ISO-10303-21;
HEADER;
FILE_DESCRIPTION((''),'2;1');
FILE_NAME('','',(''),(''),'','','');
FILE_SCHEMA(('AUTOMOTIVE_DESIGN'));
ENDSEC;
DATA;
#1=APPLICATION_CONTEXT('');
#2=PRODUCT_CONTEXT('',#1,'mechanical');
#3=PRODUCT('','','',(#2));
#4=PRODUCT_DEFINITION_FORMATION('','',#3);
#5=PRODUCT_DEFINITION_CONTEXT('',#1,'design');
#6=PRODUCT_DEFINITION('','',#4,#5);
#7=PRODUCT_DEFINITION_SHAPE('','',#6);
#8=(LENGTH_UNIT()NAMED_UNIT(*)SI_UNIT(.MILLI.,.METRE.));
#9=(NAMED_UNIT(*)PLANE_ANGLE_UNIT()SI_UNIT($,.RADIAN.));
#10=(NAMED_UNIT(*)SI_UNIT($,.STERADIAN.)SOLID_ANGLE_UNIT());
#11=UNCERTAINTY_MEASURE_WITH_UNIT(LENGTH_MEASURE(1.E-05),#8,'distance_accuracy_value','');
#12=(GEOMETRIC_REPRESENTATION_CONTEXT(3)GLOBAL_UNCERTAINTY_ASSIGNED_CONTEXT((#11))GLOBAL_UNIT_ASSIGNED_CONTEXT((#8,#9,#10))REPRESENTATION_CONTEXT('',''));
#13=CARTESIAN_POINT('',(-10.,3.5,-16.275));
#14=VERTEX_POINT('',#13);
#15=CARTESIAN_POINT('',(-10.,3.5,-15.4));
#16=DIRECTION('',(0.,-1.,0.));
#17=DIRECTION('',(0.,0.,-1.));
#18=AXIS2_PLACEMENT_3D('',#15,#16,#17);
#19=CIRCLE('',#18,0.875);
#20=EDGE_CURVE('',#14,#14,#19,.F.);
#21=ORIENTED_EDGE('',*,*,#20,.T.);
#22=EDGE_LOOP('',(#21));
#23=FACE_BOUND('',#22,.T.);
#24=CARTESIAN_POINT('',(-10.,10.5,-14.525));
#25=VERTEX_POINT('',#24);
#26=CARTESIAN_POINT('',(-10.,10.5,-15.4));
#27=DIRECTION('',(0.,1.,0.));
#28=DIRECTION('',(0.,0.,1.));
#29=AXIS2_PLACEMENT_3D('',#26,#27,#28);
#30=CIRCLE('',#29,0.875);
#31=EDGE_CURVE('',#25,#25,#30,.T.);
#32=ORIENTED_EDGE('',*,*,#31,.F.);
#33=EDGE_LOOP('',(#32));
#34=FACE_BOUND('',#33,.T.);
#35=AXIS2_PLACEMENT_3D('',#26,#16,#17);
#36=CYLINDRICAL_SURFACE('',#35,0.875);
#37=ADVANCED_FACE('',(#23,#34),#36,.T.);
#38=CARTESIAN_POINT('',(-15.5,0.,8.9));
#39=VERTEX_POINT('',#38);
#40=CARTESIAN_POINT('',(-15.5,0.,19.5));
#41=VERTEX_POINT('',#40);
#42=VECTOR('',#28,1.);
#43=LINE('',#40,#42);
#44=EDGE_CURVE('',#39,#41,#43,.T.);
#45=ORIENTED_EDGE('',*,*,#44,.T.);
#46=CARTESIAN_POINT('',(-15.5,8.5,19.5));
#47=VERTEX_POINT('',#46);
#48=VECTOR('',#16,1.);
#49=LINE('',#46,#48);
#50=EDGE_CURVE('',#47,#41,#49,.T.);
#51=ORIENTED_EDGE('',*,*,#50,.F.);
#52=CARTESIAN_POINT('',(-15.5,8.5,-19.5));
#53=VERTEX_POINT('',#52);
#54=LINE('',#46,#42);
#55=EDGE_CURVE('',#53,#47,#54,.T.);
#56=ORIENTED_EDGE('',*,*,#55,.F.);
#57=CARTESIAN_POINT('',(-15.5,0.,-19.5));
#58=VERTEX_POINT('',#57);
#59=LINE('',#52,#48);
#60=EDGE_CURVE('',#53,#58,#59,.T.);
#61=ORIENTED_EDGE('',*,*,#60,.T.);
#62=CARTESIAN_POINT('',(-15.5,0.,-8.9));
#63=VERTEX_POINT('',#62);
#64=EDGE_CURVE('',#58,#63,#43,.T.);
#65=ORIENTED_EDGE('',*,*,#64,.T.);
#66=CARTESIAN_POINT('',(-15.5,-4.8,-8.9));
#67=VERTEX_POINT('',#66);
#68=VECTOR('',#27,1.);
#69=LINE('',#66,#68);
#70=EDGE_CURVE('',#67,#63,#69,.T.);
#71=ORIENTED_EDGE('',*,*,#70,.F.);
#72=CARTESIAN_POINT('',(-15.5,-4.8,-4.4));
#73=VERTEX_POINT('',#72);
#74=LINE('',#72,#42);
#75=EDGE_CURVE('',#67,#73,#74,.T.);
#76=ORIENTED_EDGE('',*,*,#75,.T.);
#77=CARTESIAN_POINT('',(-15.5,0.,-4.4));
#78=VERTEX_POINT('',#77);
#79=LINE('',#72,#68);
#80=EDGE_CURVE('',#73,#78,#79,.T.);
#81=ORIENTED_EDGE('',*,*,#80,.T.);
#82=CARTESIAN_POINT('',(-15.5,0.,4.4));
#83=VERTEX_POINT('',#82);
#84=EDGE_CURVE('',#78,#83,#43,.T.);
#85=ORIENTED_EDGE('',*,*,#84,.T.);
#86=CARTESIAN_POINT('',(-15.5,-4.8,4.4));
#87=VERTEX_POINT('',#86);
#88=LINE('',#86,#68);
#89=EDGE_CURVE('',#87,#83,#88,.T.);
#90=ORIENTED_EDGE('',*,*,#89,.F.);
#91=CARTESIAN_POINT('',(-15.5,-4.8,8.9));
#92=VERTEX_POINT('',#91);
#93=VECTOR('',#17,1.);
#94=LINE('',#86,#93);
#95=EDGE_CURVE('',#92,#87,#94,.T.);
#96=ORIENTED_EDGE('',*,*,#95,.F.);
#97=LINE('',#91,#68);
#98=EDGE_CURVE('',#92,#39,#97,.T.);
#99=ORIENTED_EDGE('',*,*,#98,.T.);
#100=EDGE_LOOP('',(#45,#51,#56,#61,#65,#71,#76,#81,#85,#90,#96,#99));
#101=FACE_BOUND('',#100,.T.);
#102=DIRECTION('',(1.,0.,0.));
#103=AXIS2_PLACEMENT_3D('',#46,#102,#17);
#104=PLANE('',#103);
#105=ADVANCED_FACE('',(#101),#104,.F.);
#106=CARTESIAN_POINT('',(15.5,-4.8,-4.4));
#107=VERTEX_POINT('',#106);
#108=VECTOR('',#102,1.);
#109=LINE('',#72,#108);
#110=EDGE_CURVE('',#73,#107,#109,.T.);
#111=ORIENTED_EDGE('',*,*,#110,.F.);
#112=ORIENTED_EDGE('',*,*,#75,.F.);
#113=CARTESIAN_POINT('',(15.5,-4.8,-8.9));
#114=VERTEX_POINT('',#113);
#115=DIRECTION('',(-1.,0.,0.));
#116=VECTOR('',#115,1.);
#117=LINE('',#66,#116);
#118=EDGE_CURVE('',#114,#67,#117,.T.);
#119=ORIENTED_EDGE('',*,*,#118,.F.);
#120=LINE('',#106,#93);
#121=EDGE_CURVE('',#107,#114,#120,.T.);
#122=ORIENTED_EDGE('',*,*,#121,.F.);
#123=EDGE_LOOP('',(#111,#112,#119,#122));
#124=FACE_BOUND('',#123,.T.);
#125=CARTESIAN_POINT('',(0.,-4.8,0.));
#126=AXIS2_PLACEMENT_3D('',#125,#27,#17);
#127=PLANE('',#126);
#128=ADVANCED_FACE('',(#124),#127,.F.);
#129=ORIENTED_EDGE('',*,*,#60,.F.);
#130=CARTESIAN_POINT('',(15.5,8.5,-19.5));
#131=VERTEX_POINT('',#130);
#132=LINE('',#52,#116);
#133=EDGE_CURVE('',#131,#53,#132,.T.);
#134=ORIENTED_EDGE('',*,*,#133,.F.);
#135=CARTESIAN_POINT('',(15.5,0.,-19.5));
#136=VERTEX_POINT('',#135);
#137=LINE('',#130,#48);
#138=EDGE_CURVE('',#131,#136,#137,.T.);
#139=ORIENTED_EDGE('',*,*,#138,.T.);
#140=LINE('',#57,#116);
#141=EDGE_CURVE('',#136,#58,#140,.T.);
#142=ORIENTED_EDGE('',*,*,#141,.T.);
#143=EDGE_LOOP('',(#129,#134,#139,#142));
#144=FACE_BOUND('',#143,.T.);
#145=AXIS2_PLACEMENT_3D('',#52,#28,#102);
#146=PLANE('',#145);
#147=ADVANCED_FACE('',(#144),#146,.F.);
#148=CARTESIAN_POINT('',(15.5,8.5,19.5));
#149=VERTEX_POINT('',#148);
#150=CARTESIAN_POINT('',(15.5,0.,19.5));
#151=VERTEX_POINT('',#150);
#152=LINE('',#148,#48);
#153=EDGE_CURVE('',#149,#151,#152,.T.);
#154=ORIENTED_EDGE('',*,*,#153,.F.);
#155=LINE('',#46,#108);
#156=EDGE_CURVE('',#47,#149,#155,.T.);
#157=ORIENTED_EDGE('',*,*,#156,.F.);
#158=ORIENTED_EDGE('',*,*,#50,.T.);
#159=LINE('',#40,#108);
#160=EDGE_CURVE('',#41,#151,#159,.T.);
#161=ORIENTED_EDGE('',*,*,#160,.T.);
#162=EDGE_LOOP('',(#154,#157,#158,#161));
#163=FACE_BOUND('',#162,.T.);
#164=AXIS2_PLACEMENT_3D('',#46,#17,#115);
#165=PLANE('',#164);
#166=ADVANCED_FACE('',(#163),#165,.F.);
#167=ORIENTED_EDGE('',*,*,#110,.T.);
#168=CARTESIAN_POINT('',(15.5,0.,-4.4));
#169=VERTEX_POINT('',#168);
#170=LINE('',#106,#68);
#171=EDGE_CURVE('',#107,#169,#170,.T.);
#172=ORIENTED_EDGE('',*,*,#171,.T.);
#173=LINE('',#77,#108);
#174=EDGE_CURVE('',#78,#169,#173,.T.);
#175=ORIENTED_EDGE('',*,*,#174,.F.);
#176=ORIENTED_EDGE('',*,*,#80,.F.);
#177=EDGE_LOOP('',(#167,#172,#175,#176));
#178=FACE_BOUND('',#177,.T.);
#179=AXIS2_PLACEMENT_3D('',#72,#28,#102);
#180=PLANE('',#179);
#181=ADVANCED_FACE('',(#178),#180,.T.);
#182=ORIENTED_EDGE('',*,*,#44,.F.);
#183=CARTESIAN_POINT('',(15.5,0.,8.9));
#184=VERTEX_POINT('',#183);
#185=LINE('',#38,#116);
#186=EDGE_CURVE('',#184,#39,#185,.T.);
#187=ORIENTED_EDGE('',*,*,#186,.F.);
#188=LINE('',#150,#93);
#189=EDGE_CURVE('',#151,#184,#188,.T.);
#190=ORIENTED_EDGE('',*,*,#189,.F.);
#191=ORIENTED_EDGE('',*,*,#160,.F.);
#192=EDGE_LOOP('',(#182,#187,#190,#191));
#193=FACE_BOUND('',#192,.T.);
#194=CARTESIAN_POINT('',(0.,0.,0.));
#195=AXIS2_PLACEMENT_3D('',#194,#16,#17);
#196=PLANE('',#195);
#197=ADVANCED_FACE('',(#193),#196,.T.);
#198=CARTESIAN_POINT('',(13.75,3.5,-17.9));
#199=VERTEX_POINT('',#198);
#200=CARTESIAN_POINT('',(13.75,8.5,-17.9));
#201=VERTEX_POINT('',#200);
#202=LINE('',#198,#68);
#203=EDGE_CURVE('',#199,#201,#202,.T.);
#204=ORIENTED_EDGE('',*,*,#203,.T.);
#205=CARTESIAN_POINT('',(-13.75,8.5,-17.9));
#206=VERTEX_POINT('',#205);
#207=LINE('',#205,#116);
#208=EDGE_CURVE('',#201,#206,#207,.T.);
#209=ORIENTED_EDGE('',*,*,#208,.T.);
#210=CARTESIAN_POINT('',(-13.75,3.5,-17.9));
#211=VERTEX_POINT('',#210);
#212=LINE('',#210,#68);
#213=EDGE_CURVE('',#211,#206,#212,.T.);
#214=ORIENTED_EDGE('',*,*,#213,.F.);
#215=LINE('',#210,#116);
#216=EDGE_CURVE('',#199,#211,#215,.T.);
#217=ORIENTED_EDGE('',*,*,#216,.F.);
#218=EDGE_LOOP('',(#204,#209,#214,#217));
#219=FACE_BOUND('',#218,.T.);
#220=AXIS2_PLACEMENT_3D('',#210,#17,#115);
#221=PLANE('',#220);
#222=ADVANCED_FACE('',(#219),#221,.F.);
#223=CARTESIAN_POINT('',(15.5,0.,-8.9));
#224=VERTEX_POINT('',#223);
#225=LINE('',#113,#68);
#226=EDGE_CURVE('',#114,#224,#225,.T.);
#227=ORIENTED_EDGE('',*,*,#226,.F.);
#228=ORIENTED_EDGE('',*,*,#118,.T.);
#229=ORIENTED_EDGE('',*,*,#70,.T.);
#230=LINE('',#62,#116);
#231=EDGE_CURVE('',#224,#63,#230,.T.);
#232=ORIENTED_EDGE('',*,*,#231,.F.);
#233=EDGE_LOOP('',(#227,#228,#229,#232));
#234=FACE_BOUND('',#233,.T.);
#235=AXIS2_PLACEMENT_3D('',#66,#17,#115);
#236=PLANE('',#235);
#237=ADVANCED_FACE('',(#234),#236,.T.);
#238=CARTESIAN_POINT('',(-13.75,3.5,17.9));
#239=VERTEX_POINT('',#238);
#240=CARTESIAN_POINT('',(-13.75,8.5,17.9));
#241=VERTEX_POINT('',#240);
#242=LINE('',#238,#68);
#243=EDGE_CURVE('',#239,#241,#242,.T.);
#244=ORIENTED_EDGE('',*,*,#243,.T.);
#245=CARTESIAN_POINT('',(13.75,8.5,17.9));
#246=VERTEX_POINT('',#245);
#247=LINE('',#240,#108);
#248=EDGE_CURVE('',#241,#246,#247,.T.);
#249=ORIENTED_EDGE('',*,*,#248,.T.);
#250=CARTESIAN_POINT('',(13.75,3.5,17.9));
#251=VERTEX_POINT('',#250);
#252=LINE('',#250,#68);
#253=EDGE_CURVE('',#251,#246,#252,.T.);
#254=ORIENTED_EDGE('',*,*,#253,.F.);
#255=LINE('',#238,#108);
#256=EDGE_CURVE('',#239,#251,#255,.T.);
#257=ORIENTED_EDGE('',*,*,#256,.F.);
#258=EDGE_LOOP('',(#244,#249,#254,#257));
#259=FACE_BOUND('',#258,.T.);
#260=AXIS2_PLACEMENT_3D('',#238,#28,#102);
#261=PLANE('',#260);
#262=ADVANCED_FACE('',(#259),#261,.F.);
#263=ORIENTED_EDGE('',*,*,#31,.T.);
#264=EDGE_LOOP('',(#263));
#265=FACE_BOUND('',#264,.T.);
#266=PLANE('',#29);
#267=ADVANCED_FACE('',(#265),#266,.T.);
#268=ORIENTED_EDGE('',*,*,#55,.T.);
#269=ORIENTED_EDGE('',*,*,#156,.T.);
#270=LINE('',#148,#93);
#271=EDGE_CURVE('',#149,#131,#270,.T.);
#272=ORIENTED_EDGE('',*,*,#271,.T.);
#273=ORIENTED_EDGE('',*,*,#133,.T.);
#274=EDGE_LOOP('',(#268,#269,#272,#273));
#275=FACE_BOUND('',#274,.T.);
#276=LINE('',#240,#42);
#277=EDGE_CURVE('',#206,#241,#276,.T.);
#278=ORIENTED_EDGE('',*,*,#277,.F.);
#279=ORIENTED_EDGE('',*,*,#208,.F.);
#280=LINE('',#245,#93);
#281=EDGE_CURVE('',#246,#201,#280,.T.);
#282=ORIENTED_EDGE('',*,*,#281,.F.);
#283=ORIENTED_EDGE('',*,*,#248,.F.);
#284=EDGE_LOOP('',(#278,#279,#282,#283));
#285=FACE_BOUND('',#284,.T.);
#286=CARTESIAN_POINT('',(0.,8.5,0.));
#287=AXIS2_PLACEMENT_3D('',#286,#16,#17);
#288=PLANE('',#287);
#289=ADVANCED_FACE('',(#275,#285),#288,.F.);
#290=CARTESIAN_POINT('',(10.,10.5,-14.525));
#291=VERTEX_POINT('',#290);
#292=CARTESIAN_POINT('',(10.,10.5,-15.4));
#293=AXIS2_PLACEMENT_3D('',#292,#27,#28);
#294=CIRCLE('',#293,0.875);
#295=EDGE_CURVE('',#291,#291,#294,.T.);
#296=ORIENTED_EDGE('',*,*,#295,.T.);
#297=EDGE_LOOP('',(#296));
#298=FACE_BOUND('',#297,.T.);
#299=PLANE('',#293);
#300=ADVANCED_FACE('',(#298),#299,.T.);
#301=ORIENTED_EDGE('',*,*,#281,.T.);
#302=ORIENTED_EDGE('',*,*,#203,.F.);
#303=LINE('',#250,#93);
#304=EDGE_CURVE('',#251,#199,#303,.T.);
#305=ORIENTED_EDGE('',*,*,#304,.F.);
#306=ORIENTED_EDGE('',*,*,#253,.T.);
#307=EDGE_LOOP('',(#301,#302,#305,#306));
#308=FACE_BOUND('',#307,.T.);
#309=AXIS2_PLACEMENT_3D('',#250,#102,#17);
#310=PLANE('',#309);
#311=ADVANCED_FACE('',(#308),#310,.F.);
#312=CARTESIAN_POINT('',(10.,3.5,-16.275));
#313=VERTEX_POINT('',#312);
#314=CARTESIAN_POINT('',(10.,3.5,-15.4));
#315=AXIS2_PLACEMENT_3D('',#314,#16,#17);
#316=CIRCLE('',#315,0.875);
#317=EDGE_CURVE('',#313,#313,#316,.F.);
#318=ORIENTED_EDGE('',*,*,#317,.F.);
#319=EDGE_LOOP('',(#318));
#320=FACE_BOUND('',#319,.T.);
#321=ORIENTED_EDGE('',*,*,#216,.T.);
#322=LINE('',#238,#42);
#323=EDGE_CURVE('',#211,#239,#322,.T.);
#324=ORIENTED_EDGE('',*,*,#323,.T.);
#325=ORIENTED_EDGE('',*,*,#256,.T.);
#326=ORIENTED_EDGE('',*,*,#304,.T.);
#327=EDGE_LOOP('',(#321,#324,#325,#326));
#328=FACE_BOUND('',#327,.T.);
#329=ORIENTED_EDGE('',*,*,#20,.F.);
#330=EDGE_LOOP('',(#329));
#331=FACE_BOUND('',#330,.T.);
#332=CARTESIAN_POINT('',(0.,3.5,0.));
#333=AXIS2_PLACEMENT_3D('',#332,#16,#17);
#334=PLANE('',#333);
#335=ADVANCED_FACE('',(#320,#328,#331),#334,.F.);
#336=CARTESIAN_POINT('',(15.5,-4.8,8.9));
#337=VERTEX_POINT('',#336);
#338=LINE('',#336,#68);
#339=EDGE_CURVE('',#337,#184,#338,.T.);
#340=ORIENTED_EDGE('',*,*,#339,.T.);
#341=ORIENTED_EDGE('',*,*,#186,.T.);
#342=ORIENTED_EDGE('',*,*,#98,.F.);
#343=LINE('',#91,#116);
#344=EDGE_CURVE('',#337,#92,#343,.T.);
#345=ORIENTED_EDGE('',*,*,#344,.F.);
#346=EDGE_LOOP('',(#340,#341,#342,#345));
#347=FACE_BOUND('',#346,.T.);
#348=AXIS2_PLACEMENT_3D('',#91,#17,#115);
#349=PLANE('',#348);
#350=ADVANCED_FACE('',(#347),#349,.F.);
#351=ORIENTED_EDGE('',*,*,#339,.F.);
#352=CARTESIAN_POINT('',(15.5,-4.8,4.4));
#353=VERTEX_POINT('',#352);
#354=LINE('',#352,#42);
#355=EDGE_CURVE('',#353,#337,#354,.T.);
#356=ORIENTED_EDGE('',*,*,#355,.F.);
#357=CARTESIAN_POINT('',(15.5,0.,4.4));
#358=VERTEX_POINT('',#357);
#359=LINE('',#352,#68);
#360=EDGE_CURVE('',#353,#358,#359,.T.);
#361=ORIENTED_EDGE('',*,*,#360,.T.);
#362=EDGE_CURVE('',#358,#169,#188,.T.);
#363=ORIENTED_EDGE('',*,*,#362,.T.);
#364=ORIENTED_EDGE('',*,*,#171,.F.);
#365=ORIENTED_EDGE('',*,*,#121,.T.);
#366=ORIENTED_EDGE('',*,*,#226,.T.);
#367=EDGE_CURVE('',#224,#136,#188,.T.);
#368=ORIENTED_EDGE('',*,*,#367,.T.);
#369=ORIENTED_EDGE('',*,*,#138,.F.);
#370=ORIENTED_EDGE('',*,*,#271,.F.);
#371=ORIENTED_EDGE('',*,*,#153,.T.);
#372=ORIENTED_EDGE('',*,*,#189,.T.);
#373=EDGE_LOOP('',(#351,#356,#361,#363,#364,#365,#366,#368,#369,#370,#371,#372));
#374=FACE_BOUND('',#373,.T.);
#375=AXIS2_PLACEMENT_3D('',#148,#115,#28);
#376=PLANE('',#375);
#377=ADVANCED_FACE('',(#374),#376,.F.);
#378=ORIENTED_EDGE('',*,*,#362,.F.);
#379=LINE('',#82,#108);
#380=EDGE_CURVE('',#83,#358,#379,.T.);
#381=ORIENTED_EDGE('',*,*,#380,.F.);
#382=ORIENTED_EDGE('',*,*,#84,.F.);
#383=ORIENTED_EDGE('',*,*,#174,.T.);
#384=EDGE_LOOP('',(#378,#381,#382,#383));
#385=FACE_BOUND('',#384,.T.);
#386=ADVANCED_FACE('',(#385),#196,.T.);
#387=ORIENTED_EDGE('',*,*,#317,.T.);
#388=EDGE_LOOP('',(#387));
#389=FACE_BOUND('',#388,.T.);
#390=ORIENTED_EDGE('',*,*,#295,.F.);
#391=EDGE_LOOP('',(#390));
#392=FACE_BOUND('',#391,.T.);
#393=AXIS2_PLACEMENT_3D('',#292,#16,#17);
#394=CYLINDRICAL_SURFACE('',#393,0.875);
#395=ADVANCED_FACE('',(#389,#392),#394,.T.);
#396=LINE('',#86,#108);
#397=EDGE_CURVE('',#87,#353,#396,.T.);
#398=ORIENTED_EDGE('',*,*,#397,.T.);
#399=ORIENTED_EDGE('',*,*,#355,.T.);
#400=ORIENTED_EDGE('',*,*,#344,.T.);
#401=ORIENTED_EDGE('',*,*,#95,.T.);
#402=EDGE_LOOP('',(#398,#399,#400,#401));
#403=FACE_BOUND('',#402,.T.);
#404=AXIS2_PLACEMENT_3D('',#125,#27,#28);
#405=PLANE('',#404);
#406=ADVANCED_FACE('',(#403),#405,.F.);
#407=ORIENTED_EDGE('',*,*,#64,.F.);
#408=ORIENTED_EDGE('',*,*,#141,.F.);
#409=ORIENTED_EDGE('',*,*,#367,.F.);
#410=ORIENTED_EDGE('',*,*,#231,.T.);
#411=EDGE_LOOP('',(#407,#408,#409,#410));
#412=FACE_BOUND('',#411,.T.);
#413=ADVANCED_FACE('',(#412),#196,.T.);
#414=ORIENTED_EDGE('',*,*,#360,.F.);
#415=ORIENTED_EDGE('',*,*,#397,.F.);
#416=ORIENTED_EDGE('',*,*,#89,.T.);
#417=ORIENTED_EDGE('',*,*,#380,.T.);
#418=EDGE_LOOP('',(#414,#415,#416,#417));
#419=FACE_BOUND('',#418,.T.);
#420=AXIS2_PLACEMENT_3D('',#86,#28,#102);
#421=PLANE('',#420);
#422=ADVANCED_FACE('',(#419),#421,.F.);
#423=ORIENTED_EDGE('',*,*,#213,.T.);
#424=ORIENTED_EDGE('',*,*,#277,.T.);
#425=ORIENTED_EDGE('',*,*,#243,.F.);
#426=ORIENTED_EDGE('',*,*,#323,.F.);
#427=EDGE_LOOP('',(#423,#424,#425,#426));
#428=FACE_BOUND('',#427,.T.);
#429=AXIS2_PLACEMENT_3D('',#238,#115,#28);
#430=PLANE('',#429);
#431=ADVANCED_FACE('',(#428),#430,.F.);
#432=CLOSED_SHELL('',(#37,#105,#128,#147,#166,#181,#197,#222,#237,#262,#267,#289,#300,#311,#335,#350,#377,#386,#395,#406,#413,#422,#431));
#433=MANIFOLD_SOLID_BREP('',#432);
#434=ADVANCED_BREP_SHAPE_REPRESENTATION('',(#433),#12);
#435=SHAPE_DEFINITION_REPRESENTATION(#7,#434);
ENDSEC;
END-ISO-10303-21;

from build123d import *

# Parameters (mm, degrees)
SKETCH1_W           = 31
SKETCH1_H           = 39
BOSS_EXTRUDE1_DEPTH = 8.5
SKETCH5_W           = 31
SKETCH5_H           = 4.5
BOSS_EXTRUDE3_DEPTH = 4.8
SKETCH7_W           = 27.5
SKETCH7_H           = 35.8
CUT_EXTRUDE1_DEPTH  = 5
SKETCH8_R           = 0.875
BOSS_EXTRUDE4_DEPTH = 7


with BuildPart() as part:
    # Sketch1 → Boss-Extrude1 (new body)
    with BuildSketch(Plane(origin=(0, 0, 0), x_dir=(1, 0, 0), z_dir=(0, 1, 0))):
        Rectangle(SKETCH1_W, SKETCH1_H)
    extrude(amount=BOSS_EXTRUDE1_DEPTH)

    # Sketch5 → Boss-Extrude3 (add)
    with BuildSketch(Plane.XZ):
        with Locations((0, 6.65)):
            Rectangle(SKETCH5_W, SKETCH5_H)
    boss_extrude3 = extrude(amount=BOSS_EXTRUDE3_DEPTH)

    # Mirror1: Boss-Extrude3 across plane
    add(boss_extrude3.mirror(Plane.XY))

    # Sketch7 → Cut-Extrude1 (cut)
    with BuildSketch(Plane(origin=(0, 8.5, 0), x_dir=(1, 0, 0), z_dir=(0, 1, 0))):
        Rectangle(SKETCH7_W, SKETCH7_H)
    extrude(amount=-CUT_EXTRUDE1_DEPTH, mode=Mode.SUBTRACT)

    # Sketch8 → Boss-Extrude4 (add)
    with BuildSketch(Plane(origin=(0, 3.5, 0), x_dir=(1, 0, 0), z_dir=(0, 1, 0))):
        with Locations(Location((-10, 15.4, 0), (0, 0, 90))):
            Circle(SKETCH8_R)
        with Locations(Location((10, 15.4, 0), (0, 0, 90))):
            Circle(SKETCH8_R)
    extrude(amount=BOSS_EXTRUDE4_DEPTH)


solid = part.part
